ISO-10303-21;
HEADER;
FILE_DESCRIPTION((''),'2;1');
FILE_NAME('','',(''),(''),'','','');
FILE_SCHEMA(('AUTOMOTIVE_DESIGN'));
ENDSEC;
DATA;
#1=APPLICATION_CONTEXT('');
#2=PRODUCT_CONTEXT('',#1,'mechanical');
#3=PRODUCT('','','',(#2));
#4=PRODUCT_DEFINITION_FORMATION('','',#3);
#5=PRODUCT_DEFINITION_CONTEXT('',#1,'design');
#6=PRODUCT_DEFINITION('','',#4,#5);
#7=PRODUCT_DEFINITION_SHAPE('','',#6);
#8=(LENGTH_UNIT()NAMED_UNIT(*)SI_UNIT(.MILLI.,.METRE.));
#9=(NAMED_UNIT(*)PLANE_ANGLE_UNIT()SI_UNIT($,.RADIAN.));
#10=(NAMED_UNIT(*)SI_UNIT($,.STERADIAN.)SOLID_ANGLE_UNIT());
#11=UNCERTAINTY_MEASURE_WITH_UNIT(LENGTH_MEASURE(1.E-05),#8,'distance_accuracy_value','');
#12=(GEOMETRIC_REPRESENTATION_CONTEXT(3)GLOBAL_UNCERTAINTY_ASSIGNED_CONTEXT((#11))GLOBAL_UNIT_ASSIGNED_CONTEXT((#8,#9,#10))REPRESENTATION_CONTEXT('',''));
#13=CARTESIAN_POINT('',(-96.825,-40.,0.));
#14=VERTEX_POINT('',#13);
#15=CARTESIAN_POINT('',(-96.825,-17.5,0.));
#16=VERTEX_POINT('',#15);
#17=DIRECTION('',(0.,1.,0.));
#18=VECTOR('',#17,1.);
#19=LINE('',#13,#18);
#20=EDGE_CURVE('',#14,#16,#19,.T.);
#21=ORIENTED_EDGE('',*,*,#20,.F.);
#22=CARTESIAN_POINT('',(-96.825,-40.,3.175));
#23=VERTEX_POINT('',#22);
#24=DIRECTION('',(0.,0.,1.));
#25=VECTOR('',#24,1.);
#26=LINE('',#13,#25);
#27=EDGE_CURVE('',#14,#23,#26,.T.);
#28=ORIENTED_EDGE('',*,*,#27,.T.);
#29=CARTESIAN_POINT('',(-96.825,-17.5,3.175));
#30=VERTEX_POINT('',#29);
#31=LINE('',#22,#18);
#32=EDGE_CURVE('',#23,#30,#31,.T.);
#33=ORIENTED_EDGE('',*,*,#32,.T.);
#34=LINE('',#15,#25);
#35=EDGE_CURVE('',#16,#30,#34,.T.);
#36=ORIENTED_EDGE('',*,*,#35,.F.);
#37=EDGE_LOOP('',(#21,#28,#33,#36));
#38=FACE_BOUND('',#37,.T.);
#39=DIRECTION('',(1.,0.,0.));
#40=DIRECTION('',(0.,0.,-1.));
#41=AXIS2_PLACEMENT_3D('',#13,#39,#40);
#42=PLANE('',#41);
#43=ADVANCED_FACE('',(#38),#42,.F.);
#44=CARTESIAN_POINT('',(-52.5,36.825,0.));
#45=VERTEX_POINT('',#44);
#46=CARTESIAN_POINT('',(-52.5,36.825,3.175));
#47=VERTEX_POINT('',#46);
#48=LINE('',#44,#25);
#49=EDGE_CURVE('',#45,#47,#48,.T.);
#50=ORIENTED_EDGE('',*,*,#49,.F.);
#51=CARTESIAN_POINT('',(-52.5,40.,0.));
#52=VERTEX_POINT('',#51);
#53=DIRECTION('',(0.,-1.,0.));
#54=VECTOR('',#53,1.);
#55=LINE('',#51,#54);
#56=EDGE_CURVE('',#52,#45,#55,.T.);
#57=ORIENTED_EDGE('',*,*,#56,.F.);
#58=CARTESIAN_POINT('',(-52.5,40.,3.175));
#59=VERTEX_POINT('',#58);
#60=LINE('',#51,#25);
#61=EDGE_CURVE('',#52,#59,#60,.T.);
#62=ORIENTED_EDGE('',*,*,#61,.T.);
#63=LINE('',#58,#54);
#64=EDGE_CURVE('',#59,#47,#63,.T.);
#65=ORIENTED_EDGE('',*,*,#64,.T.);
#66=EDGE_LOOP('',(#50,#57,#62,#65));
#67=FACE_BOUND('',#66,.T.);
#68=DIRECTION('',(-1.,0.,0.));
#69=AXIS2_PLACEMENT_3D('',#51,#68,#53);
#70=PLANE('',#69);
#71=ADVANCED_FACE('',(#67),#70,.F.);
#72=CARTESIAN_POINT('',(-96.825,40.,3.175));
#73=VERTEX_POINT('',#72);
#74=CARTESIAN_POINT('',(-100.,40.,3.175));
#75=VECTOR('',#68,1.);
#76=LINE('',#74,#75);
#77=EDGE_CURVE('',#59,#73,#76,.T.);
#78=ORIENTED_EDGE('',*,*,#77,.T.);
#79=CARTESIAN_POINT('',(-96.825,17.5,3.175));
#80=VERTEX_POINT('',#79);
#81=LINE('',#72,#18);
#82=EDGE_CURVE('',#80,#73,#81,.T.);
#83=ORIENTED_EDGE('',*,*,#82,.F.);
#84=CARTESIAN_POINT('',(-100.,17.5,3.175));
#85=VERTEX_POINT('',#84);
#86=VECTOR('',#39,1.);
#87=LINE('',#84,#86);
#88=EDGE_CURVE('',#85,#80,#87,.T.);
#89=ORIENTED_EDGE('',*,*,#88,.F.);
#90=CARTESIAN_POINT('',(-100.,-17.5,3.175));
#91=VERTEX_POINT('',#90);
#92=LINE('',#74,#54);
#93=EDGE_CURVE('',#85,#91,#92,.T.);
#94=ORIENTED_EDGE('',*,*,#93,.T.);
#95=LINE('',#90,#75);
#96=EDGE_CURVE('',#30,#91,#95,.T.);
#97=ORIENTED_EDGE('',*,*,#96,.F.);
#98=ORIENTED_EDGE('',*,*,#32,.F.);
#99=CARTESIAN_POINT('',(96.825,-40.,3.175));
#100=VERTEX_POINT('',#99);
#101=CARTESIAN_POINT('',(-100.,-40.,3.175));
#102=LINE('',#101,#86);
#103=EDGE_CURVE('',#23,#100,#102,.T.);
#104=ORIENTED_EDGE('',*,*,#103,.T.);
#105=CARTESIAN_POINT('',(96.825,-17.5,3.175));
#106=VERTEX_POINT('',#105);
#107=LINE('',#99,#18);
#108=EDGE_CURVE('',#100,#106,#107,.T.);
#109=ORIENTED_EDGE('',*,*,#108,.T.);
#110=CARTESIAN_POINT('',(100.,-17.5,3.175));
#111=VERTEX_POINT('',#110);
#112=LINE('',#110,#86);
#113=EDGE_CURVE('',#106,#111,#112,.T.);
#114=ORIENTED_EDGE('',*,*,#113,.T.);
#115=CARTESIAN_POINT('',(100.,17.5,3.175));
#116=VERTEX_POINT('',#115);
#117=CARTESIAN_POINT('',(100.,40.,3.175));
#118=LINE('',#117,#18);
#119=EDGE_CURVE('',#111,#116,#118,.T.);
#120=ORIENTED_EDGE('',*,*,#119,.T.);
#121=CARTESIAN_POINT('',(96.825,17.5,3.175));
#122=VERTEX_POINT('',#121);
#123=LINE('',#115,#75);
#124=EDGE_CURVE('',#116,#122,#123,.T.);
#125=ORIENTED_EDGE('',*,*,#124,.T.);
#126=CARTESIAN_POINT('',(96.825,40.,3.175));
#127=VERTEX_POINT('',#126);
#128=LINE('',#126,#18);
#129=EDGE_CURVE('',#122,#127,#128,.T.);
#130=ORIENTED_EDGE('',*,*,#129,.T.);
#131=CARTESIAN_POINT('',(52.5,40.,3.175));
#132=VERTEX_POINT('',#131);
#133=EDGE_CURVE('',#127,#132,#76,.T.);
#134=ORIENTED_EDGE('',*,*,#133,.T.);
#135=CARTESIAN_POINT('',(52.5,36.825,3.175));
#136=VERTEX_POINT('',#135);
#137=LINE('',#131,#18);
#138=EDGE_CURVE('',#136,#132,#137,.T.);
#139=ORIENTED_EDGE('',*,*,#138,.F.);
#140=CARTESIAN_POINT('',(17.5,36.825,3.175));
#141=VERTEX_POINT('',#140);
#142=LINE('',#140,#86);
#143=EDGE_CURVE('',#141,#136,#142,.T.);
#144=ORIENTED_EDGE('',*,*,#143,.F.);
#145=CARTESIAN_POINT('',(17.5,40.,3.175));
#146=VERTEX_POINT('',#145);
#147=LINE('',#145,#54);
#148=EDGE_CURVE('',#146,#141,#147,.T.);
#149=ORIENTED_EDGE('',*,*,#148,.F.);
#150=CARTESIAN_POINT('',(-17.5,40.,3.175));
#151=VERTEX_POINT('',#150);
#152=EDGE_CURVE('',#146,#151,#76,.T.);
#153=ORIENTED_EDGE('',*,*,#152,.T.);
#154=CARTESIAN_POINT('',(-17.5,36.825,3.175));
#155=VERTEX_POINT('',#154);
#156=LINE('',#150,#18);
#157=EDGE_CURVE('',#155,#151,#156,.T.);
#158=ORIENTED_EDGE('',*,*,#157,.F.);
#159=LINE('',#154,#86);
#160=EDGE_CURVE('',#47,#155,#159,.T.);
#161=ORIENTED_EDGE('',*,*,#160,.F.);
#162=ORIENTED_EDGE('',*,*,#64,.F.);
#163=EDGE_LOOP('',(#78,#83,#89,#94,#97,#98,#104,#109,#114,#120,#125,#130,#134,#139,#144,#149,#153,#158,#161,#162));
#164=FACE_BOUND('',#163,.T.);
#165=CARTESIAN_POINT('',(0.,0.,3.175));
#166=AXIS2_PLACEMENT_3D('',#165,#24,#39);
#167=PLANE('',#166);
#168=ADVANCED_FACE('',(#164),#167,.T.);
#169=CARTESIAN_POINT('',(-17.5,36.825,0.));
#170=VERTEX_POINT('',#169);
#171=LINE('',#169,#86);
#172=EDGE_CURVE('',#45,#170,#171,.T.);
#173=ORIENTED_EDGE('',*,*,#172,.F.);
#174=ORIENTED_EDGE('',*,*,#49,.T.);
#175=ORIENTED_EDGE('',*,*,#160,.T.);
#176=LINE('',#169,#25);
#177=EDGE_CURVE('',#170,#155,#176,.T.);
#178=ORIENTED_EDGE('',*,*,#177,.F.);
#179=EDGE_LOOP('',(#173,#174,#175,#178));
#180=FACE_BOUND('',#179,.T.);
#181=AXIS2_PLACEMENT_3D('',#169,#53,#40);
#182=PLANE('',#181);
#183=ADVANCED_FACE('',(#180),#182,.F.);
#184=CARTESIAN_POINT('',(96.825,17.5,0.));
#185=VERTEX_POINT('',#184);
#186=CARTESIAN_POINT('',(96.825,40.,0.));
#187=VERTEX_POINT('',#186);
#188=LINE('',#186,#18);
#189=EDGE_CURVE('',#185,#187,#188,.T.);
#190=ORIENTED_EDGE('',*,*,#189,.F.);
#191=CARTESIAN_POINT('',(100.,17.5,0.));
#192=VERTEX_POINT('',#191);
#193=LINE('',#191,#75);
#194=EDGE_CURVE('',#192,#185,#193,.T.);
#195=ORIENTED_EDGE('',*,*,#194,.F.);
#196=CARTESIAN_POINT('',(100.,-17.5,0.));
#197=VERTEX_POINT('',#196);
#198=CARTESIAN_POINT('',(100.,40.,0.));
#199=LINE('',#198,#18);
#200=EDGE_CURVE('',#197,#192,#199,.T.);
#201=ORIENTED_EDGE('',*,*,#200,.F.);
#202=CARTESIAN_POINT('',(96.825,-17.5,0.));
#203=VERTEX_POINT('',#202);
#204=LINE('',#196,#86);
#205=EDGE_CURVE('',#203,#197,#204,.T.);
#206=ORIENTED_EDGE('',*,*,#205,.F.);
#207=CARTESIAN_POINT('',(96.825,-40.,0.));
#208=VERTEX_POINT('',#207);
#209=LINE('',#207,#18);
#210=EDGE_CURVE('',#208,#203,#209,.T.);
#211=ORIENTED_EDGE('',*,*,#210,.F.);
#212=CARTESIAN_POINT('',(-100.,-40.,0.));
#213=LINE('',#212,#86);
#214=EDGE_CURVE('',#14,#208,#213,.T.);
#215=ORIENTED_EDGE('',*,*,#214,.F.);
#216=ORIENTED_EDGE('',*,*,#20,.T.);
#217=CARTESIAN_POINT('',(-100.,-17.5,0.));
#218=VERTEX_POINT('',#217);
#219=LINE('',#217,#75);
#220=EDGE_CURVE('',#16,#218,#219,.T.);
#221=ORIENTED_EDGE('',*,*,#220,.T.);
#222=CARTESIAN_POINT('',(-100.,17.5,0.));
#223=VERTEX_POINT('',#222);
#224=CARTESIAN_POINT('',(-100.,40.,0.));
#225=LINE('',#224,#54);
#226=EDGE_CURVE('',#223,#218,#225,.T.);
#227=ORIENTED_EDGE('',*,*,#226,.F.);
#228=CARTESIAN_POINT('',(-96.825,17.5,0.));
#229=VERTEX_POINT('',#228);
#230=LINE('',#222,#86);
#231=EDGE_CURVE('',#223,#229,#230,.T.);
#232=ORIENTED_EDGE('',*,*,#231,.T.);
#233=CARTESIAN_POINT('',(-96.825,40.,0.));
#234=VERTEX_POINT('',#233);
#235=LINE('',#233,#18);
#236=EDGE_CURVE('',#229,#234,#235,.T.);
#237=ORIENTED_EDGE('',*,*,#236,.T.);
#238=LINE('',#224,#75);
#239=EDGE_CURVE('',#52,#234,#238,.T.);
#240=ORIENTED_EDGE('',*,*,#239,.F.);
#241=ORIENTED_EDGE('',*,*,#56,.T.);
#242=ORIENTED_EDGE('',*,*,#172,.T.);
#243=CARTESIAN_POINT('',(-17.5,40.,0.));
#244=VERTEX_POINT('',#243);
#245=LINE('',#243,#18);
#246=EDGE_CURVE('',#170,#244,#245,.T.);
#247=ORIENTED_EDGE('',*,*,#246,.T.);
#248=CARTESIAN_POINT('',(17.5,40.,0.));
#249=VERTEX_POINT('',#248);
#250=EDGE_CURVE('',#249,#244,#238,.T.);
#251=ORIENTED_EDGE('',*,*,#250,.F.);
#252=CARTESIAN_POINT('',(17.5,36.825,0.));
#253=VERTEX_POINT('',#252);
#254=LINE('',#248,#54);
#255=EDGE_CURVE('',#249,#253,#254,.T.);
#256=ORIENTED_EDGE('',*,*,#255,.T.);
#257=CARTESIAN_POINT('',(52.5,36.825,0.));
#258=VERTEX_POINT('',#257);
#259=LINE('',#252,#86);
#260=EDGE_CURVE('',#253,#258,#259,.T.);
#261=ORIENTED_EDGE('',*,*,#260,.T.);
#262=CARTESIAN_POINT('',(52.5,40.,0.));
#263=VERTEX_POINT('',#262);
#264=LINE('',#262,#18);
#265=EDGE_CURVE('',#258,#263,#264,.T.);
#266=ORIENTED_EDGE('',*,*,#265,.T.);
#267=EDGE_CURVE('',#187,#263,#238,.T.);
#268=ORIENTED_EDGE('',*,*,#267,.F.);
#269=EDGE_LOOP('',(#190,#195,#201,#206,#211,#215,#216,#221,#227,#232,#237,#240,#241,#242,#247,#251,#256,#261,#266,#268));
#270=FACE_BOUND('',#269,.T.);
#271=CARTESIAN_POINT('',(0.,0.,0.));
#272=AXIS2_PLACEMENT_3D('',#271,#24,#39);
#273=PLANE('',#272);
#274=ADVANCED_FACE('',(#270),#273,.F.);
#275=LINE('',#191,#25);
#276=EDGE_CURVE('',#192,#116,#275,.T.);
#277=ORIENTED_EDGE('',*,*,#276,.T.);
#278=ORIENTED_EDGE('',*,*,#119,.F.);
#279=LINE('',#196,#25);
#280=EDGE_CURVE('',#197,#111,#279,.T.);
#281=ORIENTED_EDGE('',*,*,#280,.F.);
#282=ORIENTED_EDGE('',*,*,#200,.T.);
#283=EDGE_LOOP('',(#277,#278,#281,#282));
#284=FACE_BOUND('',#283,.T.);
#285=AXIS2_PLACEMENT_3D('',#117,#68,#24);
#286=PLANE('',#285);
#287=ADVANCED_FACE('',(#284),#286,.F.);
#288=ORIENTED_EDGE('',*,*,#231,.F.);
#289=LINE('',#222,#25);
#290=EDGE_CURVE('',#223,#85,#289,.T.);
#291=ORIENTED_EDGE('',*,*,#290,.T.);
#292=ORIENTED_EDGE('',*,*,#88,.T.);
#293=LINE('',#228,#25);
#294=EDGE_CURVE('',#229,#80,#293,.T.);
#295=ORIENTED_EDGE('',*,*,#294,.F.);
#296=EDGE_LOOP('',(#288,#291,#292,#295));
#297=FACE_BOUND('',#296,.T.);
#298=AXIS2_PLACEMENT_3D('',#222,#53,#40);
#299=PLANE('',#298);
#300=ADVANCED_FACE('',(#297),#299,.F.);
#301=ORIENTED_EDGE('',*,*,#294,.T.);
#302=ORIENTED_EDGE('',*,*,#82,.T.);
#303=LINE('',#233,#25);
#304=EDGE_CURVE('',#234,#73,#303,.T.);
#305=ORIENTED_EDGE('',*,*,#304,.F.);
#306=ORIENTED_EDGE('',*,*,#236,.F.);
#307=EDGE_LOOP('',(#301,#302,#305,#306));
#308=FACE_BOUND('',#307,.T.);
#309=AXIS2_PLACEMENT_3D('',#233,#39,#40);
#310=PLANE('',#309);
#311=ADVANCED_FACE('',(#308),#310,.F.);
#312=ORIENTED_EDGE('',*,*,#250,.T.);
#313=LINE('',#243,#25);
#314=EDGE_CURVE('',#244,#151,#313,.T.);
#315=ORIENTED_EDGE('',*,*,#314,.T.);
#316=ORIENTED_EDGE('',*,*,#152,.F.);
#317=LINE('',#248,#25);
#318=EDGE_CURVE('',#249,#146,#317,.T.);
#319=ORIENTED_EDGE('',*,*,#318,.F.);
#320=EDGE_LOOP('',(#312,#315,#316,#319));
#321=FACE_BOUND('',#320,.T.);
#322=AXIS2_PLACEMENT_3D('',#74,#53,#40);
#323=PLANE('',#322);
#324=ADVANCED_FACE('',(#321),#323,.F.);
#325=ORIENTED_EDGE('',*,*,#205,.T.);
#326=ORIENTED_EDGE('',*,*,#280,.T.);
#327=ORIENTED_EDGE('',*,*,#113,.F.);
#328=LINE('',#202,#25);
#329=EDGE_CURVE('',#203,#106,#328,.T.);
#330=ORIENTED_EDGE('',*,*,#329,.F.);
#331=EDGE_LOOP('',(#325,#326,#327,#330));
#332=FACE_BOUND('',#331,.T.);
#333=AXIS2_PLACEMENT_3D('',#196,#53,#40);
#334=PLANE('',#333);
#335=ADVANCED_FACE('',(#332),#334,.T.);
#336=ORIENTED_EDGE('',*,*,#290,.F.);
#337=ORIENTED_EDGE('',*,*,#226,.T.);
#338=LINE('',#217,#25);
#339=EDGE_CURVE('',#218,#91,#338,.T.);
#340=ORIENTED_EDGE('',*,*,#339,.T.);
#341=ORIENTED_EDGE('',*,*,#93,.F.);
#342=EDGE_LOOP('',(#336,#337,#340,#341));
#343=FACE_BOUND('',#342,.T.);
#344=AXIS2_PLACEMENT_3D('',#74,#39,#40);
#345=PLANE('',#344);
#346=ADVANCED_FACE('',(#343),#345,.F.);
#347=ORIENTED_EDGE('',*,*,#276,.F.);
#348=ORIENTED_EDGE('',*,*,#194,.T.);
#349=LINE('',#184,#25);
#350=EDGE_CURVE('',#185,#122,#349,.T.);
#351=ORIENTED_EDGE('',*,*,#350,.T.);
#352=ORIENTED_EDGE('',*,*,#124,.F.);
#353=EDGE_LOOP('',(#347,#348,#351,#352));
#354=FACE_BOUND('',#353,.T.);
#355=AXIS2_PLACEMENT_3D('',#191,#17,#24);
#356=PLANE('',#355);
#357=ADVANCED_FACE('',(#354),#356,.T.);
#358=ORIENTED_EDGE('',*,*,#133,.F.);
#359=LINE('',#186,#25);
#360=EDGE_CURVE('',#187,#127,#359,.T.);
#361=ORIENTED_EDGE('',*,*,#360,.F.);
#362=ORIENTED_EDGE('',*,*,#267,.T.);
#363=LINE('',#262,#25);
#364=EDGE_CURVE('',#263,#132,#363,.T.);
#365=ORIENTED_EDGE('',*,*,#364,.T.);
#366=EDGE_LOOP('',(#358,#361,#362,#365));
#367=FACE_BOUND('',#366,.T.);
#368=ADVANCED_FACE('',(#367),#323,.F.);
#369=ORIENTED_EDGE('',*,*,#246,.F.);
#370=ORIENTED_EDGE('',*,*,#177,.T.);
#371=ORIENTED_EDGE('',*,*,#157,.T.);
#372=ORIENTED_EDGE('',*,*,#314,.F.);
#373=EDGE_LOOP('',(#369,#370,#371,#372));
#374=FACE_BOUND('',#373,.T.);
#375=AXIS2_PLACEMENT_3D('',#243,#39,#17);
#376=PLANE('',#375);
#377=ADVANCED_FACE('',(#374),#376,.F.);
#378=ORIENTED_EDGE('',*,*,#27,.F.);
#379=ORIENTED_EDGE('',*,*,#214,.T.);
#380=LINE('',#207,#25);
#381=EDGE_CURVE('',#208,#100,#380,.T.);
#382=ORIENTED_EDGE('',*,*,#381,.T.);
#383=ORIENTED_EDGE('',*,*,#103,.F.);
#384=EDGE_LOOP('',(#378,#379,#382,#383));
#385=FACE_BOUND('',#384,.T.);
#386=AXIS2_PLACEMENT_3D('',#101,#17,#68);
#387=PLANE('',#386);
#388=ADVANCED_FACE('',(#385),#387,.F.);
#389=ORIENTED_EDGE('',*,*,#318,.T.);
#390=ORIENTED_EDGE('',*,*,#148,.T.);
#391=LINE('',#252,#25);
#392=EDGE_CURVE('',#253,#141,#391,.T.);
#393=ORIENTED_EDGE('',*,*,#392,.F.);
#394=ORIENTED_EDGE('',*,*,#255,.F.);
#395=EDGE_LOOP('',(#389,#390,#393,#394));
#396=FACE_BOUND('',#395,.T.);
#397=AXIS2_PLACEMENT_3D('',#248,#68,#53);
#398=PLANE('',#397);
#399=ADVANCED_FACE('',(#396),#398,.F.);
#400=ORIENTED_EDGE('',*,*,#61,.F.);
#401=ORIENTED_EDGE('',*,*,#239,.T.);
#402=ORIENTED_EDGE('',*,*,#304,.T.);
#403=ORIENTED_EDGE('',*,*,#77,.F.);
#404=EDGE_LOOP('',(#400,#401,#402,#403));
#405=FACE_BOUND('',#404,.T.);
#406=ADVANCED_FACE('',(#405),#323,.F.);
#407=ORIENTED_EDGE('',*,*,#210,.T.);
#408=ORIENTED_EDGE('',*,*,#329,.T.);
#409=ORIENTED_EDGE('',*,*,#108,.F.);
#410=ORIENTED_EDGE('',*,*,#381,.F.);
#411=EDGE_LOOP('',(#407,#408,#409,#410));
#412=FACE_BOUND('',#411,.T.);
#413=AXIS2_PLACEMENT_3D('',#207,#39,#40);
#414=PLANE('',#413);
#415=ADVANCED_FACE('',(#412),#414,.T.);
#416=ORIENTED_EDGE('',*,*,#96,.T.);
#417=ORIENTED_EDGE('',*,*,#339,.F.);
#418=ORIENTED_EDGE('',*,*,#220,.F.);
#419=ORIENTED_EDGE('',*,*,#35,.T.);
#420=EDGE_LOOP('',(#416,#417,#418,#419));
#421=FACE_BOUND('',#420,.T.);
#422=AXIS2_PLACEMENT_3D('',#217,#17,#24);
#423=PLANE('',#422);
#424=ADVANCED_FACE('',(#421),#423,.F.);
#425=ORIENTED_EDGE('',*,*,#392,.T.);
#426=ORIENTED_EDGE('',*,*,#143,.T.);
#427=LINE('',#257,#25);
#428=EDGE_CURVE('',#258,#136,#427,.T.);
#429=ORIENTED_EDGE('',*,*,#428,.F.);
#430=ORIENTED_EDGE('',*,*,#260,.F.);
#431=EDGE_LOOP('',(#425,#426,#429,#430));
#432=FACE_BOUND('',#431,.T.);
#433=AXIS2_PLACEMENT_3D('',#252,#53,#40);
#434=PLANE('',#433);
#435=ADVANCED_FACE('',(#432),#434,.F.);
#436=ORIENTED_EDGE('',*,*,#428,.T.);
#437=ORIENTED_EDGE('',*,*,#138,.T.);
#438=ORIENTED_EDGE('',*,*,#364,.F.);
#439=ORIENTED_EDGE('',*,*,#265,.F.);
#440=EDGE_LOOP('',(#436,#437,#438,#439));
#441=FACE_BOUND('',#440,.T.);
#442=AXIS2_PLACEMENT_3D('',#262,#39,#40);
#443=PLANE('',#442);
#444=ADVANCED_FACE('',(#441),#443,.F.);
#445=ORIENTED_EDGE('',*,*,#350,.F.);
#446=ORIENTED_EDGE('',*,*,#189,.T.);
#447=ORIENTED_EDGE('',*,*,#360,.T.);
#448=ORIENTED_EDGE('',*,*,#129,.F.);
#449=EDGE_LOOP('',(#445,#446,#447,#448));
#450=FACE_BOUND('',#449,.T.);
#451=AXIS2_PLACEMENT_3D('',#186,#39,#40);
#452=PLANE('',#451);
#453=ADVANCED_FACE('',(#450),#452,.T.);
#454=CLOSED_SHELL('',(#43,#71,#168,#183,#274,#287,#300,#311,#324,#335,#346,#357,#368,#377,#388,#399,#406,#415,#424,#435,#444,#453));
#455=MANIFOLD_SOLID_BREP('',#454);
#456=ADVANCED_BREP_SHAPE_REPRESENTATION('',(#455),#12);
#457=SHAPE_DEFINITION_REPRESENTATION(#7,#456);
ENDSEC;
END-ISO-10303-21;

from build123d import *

# Parameters (mm, degrees)
ESQUISSE2_W             = 200
ESQUISSE2_H             = 80
BOSS_EXTRU_1_DEPTH      = 3.175
ESQUISSE3_W             = 35
ESQUISSE3_H             = 3.175
ENL_V_MAT_EXTRU_1_DEPTH = 4.175
ESQUISSE4_W             = 3.175
ESQUISSE4_H             = 22.5
ENL_V_MAT_EXTRU_2_DEPTH = 4.175


with BuildPart() as part:
    # Esquisse2 → Boss.-Extru.1 (new body)
    with BuildSketch(Plane.XY):
        Rectangle(ESQUISSE2_W, ESQUISSE2_H)
    extrude(amount=BOSS_EXTRU_1_DEPTH)

    # Esquisse3 → Enlèv. mat.-Extru.1 (cut, through all)
    with BuildSketch(Plane.XY.offset(3.175)):
        with Locations((35, 38.4125)):
            Rectangle(ESQUISSE3_W, ESQUISSE3_H)
        with Locations((-35, 38.4125)):
            Rectangle(ESQUISSE3_W, ESQUISSE3_H)
    extrude(amount=-ENL_V_MAT_EXTRU_1_DEPTH, mode=Mode.SUBTRACT)

    # Esquisse4 → Enlèv. mat.-Extru.2 (cut, through all)
    with BuildSketch(Plane.XY.offset(3.175)):
        with Locations((-98.4125, 28.75)):
            Rectangle(ESQUISSE4_W, ESQUISSE4_H)
        with Locations((-98.4125, -28.75)):
            Rectangle(ESQUISSE4_W, ESQUISSE4_H)
    enl_v_mat_extru_2 = extrude(amount=-ENL_V_MAT_EXTRU_2_DEPTH, mode=Mode.SUBTRACT)

    # Symétrie1: Enlèv. mat.-Extru.2 across plane
    add(enl_v_mat_extru_2.mirror(Plane(origin=(0, 0, 0), x_dir=(0, 0, 1), z_dir=(1, 0, 0))), mode=Mode.SUBTRACT)


solid = part.part
